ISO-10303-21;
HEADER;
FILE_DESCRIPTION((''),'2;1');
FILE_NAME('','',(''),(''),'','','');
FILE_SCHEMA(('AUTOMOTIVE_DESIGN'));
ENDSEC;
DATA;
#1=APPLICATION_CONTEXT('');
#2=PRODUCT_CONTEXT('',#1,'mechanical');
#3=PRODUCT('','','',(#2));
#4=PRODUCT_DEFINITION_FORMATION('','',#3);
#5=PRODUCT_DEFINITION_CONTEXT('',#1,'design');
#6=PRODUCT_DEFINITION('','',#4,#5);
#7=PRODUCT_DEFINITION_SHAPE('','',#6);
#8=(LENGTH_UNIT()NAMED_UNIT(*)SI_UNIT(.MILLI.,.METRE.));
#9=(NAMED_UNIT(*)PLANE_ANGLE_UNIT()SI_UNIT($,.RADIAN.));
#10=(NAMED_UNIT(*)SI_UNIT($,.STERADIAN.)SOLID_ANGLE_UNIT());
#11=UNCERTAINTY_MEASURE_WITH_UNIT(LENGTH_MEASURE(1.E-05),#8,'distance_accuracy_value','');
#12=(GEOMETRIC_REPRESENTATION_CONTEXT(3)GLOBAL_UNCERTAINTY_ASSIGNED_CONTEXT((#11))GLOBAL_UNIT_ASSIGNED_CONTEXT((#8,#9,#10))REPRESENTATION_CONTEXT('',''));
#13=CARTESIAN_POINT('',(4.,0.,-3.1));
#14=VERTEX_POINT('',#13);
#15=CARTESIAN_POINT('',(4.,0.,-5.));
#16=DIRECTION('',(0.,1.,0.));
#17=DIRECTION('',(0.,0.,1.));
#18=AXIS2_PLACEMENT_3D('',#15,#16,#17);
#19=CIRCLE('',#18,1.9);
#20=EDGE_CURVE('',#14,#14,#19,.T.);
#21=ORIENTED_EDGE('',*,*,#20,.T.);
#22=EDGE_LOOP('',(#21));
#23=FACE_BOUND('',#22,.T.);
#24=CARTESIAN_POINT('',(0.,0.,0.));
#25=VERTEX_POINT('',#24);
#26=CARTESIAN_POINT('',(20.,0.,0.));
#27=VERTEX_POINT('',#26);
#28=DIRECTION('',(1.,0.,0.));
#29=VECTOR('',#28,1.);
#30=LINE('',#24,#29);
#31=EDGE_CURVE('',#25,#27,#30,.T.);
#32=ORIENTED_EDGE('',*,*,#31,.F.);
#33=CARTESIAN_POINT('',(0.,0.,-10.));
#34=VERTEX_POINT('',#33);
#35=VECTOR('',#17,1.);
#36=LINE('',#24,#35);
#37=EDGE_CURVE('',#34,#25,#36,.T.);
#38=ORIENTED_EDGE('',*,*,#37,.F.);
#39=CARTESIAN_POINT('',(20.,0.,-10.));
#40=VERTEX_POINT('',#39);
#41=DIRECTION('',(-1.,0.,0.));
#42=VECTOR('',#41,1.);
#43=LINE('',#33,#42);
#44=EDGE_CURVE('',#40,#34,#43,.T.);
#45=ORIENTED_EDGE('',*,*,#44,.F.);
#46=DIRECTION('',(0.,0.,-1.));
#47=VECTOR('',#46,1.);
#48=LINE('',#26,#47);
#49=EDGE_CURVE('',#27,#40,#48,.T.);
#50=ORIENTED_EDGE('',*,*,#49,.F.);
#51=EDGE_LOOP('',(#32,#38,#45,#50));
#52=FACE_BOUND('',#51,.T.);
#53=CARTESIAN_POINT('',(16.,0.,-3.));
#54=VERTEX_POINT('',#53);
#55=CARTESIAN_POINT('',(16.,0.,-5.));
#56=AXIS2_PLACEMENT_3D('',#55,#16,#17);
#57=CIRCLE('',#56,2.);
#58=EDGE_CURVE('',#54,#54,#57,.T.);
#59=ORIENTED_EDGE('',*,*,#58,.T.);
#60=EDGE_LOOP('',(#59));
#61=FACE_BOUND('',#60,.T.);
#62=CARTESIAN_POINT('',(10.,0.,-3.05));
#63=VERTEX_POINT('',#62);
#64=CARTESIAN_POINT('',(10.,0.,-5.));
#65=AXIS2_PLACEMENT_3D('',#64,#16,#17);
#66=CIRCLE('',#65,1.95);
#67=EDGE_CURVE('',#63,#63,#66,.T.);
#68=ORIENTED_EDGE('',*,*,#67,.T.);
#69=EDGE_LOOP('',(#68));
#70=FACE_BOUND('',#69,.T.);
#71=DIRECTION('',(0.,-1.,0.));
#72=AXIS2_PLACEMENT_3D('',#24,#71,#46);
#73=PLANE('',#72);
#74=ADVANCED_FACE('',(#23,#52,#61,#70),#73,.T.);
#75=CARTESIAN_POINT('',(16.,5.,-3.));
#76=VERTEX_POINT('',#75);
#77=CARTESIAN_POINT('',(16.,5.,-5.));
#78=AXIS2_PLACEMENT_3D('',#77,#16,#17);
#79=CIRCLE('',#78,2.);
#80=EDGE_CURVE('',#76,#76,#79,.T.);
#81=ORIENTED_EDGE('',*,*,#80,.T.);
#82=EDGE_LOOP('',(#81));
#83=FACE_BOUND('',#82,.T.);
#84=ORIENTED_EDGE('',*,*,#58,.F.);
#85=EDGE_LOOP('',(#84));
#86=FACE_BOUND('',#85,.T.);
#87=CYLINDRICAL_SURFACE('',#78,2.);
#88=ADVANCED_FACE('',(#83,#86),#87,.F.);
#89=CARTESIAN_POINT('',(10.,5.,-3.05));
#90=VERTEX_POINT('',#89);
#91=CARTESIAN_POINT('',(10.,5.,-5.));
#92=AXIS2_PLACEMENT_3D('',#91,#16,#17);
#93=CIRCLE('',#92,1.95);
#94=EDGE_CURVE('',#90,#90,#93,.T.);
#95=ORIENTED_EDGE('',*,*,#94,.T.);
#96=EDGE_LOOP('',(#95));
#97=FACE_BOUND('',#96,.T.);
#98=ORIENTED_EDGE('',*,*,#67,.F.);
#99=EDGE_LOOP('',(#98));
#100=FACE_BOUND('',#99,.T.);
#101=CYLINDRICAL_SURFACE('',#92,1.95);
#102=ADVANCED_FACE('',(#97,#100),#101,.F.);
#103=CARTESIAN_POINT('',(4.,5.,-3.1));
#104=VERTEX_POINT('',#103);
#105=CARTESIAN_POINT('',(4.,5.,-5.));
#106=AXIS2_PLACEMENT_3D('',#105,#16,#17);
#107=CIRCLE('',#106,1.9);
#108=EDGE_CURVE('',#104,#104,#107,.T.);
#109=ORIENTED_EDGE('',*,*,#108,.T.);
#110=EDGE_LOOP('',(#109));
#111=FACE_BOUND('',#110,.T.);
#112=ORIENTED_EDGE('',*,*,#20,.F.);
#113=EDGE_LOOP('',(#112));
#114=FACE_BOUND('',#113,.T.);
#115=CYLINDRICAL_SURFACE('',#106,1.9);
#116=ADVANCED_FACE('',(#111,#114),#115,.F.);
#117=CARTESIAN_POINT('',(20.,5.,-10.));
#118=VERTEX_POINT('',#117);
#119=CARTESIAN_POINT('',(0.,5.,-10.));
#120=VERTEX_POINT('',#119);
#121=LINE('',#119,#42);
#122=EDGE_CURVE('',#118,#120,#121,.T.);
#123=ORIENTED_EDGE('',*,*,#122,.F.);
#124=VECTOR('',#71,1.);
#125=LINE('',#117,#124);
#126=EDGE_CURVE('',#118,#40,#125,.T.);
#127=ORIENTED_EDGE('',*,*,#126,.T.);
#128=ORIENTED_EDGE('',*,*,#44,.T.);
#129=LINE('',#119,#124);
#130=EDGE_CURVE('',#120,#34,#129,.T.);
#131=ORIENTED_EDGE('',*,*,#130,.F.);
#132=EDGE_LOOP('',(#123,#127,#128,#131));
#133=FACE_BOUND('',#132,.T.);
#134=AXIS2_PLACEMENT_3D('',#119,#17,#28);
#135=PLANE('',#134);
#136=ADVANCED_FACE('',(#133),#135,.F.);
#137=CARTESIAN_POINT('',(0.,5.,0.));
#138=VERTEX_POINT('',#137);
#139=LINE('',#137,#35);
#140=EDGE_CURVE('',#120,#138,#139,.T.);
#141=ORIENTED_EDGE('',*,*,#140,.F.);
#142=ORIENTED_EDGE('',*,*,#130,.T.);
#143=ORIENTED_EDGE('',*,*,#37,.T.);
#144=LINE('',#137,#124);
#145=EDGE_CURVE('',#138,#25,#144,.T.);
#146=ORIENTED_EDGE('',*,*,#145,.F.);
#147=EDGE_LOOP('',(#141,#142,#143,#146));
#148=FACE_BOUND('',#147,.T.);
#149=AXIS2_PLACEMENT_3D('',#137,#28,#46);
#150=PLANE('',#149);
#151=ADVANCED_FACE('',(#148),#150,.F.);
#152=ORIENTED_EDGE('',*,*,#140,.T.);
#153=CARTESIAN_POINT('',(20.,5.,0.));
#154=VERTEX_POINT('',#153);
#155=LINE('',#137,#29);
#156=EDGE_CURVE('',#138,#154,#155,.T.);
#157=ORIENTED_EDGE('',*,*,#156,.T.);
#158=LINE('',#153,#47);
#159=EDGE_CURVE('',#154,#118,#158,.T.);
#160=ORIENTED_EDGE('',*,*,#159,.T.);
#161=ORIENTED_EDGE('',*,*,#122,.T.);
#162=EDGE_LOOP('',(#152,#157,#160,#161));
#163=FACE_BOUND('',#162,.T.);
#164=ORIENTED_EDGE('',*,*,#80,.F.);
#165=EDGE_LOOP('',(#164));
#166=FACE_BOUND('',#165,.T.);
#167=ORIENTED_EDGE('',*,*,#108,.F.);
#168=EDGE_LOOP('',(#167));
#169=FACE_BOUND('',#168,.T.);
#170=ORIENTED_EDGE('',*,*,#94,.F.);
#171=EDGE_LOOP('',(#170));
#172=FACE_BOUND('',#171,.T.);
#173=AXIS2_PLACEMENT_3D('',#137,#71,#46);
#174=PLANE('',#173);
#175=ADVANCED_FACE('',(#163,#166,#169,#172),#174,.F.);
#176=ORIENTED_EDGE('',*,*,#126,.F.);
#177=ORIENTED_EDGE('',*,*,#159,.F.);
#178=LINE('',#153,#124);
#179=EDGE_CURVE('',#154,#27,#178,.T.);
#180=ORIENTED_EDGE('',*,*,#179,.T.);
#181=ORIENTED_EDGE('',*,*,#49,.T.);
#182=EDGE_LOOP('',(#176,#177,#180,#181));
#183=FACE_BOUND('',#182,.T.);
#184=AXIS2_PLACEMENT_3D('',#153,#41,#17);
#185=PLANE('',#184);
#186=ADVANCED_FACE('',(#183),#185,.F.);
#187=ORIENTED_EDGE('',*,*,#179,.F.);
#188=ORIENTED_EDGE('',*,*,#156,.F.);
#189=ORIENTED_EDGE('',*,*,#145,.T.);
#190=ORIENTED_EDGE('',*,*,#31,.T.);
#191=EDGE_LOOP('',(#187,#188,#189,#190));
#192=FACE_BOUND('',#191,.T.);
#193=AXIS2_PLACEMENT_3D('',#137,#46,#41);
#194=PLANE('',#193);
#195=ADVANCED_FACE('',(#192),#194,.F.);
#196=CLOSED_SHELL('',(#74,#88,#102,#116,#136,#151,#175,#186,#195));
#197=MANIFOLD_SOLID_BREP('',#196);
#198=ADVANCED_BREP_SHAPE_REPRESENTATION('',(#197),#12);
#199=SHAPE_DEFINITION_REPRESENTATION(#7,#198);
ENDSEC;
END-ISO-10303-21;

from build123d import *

# Parameters (mm, degrees)
SKETCH1_W                   = 20
SKETCH1_H                   = 10
BOSS_EXTRUDE1_DEPTH         = 5
TAP_DRILL_FOR_M4X0_7_TAP1_D = 3.8
TAP_DRILL_FOR_M4X0_7_TAP2_D = 3.9
TAP_DRILL_FOR_M4X0_7_TAP3_D = 4


with BuildPart() as part:
    # Sketch1 → Boss-Extrude1 (new body)
    with BuildSketch(Plane(origin=(0, 0, 0), x_dir=(1, 0, 0), z_dir=(0, 1, 0))):
        with Locations((10, 5)):
            Rectangle(SKETCH1_W, SKETCH1_H)
    extrude(amount=BOSS_EXTRUDE1_DEPTH)

    # Tap Drill for M4x0.7 Tap1 (through all)
    with Locations(Plane(origin=(4, 5, -5), x_dir=(0, 0, 1), z_dir=(0, 1, 0))):
        with Locations((0, 0)):
            Hole(TAP_DRILL_FOR_M4X0_7_TAP1_D / 2)

    # Tap Drill for M4x0.7 Tap2 (through all)
    with Locations(Plane(origin=(10, 5, -5), x_dir=(0, 0, 1), z_dir=(0, 1, 0))):
        with Locations((0, 0)):
            Hole(TAP_DRILL_FOR_M4X0_7_TAP2_D / 2)

    # Tap Drill for M4x0.7 Tap3 (through all)
    with Locations(Plane(origin=(16, 5, -5), x_dir=(0, 0, 1), z_dir=(0, 1, 0))):
        with Locations((0, 0)):
            Hole(TAP_DRILL_FOR_M4X0_7_TAP3_D / 2)


solid = part.part
